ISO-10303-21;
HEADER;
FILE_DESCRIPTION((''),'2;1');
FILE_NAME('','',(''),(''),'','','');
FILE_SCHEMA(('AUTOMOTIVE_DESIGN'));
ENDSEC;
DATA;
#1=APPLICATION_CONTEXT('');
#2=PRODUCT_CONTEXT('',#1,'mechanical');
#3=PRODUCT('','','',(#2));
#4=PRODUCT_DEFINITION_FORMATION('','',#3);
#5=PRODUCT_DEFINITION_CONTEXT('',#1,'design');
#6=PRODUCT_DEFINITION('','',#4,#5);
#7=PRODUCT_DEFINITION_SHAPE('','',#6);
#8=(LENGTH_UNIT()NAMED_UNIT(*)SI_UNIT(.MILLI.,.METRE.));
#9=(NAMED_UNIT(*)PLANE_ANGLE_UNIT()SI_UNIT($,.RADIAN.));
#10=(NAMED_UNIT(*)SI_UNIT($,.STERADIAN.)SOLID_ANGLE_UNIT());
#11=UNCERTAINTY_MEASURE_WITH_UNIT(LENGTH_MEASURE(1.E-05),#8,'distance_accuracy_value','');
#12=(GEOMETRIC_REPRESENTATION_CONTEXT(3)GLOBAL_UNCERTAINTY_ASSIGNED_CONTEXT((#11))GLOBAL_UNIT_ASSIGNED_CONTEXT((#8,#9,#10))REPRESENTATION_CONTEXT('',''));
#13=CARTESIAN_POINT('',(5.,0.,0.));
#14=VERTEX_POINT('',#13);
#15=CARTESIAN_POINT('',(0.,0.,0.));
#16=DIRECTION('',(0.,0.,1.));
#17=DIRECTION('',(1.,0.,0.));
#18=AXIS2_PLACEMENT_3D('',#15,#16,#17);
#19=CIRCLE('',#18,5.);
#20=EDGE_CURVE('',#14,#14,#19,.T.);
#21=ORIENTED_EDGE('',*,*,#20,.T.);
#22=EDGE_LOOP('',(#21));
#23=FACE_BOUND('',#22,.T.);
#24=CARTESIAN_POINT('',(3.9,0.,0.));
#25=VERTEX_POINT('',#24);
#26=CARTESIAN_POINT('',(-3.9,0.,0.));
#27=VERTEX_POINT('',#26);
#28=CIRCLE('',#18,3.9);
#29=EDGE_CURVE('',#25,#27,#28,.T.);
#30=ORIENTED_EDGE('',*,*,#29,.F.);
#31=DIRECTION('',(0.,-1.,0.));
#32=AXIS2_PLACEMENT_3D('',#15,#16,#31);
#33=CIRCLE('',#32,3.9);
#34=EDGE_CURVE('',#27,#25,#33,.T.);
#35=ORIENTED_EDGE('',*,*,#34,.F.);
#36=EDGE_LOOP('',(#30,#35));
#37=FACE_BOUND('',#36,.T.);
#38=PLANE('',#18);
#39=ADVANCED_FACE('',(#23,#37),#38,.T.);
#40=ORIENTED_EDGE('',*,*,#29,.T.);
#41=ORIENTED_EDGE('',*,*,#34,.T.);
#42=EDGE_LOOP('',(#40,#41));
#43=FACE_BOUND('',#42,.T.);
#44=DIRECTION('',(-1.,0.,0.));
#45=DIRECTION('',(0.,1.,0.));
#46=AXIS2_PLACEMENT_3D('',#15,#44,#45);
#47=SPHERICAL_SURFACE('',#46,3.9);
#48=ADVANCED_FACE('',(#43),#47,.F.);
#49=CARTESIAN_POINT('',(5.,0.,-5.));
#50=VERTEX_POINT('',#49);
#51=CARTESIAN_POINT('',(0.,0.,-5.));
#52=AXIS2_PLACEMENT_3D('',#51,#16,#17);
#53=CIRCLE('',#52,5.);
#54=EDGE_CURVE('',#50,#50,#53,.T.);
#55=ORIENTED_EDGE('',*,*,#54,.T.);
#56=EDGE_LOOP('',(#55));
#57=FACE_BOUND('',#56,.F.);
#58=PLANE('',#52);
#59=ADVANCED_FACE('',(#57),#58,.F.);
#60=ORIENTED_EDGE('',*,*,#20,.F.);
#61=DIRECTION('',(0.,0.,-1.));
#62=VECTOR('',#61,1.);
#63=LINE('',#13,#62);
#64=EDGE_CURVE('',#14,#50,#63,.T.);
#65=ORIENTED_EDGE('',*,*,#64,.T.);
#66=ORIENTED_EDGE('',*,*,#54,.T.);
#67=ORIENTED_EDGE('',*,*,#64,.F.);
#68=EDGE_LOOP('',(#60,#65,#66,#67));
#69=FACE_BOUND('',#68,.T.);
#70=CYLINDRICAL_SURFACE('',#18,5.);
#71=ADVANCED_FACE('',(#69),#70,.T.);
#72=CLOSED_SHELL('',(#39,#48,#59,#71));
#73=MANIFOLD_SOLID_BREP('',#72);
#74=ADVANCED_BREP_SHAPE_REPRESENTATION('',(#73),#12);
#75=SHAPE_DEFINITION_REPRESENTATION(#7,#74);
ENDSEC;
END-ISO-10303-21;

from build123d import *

# Parameters (mm, degrees)
F0_R     = 5
F1_DEPTH = 5


with BuildPart() as f1:
    # F0 (on Top) → F1 (new body)
    with BuildSketch(Plane.XY):
        Circle(F0_R)
    extrude(amount=-F1_DEPTH)

    # F2 (on face) → F3 (revolve, cut)
    with BuildSketch(Plane.XY):
        with BuildLine():
            Line((-3.9, 0), (3.9, 0))
            ThreePointArc((3.9, 0), (0, 3.9), (-3.9, 0))
        make_face()
    revolve(axis=Axis((0, 0, 0), (1, 0, 0)), mode=Mode.SUBTRACT)


solid = f1.part
